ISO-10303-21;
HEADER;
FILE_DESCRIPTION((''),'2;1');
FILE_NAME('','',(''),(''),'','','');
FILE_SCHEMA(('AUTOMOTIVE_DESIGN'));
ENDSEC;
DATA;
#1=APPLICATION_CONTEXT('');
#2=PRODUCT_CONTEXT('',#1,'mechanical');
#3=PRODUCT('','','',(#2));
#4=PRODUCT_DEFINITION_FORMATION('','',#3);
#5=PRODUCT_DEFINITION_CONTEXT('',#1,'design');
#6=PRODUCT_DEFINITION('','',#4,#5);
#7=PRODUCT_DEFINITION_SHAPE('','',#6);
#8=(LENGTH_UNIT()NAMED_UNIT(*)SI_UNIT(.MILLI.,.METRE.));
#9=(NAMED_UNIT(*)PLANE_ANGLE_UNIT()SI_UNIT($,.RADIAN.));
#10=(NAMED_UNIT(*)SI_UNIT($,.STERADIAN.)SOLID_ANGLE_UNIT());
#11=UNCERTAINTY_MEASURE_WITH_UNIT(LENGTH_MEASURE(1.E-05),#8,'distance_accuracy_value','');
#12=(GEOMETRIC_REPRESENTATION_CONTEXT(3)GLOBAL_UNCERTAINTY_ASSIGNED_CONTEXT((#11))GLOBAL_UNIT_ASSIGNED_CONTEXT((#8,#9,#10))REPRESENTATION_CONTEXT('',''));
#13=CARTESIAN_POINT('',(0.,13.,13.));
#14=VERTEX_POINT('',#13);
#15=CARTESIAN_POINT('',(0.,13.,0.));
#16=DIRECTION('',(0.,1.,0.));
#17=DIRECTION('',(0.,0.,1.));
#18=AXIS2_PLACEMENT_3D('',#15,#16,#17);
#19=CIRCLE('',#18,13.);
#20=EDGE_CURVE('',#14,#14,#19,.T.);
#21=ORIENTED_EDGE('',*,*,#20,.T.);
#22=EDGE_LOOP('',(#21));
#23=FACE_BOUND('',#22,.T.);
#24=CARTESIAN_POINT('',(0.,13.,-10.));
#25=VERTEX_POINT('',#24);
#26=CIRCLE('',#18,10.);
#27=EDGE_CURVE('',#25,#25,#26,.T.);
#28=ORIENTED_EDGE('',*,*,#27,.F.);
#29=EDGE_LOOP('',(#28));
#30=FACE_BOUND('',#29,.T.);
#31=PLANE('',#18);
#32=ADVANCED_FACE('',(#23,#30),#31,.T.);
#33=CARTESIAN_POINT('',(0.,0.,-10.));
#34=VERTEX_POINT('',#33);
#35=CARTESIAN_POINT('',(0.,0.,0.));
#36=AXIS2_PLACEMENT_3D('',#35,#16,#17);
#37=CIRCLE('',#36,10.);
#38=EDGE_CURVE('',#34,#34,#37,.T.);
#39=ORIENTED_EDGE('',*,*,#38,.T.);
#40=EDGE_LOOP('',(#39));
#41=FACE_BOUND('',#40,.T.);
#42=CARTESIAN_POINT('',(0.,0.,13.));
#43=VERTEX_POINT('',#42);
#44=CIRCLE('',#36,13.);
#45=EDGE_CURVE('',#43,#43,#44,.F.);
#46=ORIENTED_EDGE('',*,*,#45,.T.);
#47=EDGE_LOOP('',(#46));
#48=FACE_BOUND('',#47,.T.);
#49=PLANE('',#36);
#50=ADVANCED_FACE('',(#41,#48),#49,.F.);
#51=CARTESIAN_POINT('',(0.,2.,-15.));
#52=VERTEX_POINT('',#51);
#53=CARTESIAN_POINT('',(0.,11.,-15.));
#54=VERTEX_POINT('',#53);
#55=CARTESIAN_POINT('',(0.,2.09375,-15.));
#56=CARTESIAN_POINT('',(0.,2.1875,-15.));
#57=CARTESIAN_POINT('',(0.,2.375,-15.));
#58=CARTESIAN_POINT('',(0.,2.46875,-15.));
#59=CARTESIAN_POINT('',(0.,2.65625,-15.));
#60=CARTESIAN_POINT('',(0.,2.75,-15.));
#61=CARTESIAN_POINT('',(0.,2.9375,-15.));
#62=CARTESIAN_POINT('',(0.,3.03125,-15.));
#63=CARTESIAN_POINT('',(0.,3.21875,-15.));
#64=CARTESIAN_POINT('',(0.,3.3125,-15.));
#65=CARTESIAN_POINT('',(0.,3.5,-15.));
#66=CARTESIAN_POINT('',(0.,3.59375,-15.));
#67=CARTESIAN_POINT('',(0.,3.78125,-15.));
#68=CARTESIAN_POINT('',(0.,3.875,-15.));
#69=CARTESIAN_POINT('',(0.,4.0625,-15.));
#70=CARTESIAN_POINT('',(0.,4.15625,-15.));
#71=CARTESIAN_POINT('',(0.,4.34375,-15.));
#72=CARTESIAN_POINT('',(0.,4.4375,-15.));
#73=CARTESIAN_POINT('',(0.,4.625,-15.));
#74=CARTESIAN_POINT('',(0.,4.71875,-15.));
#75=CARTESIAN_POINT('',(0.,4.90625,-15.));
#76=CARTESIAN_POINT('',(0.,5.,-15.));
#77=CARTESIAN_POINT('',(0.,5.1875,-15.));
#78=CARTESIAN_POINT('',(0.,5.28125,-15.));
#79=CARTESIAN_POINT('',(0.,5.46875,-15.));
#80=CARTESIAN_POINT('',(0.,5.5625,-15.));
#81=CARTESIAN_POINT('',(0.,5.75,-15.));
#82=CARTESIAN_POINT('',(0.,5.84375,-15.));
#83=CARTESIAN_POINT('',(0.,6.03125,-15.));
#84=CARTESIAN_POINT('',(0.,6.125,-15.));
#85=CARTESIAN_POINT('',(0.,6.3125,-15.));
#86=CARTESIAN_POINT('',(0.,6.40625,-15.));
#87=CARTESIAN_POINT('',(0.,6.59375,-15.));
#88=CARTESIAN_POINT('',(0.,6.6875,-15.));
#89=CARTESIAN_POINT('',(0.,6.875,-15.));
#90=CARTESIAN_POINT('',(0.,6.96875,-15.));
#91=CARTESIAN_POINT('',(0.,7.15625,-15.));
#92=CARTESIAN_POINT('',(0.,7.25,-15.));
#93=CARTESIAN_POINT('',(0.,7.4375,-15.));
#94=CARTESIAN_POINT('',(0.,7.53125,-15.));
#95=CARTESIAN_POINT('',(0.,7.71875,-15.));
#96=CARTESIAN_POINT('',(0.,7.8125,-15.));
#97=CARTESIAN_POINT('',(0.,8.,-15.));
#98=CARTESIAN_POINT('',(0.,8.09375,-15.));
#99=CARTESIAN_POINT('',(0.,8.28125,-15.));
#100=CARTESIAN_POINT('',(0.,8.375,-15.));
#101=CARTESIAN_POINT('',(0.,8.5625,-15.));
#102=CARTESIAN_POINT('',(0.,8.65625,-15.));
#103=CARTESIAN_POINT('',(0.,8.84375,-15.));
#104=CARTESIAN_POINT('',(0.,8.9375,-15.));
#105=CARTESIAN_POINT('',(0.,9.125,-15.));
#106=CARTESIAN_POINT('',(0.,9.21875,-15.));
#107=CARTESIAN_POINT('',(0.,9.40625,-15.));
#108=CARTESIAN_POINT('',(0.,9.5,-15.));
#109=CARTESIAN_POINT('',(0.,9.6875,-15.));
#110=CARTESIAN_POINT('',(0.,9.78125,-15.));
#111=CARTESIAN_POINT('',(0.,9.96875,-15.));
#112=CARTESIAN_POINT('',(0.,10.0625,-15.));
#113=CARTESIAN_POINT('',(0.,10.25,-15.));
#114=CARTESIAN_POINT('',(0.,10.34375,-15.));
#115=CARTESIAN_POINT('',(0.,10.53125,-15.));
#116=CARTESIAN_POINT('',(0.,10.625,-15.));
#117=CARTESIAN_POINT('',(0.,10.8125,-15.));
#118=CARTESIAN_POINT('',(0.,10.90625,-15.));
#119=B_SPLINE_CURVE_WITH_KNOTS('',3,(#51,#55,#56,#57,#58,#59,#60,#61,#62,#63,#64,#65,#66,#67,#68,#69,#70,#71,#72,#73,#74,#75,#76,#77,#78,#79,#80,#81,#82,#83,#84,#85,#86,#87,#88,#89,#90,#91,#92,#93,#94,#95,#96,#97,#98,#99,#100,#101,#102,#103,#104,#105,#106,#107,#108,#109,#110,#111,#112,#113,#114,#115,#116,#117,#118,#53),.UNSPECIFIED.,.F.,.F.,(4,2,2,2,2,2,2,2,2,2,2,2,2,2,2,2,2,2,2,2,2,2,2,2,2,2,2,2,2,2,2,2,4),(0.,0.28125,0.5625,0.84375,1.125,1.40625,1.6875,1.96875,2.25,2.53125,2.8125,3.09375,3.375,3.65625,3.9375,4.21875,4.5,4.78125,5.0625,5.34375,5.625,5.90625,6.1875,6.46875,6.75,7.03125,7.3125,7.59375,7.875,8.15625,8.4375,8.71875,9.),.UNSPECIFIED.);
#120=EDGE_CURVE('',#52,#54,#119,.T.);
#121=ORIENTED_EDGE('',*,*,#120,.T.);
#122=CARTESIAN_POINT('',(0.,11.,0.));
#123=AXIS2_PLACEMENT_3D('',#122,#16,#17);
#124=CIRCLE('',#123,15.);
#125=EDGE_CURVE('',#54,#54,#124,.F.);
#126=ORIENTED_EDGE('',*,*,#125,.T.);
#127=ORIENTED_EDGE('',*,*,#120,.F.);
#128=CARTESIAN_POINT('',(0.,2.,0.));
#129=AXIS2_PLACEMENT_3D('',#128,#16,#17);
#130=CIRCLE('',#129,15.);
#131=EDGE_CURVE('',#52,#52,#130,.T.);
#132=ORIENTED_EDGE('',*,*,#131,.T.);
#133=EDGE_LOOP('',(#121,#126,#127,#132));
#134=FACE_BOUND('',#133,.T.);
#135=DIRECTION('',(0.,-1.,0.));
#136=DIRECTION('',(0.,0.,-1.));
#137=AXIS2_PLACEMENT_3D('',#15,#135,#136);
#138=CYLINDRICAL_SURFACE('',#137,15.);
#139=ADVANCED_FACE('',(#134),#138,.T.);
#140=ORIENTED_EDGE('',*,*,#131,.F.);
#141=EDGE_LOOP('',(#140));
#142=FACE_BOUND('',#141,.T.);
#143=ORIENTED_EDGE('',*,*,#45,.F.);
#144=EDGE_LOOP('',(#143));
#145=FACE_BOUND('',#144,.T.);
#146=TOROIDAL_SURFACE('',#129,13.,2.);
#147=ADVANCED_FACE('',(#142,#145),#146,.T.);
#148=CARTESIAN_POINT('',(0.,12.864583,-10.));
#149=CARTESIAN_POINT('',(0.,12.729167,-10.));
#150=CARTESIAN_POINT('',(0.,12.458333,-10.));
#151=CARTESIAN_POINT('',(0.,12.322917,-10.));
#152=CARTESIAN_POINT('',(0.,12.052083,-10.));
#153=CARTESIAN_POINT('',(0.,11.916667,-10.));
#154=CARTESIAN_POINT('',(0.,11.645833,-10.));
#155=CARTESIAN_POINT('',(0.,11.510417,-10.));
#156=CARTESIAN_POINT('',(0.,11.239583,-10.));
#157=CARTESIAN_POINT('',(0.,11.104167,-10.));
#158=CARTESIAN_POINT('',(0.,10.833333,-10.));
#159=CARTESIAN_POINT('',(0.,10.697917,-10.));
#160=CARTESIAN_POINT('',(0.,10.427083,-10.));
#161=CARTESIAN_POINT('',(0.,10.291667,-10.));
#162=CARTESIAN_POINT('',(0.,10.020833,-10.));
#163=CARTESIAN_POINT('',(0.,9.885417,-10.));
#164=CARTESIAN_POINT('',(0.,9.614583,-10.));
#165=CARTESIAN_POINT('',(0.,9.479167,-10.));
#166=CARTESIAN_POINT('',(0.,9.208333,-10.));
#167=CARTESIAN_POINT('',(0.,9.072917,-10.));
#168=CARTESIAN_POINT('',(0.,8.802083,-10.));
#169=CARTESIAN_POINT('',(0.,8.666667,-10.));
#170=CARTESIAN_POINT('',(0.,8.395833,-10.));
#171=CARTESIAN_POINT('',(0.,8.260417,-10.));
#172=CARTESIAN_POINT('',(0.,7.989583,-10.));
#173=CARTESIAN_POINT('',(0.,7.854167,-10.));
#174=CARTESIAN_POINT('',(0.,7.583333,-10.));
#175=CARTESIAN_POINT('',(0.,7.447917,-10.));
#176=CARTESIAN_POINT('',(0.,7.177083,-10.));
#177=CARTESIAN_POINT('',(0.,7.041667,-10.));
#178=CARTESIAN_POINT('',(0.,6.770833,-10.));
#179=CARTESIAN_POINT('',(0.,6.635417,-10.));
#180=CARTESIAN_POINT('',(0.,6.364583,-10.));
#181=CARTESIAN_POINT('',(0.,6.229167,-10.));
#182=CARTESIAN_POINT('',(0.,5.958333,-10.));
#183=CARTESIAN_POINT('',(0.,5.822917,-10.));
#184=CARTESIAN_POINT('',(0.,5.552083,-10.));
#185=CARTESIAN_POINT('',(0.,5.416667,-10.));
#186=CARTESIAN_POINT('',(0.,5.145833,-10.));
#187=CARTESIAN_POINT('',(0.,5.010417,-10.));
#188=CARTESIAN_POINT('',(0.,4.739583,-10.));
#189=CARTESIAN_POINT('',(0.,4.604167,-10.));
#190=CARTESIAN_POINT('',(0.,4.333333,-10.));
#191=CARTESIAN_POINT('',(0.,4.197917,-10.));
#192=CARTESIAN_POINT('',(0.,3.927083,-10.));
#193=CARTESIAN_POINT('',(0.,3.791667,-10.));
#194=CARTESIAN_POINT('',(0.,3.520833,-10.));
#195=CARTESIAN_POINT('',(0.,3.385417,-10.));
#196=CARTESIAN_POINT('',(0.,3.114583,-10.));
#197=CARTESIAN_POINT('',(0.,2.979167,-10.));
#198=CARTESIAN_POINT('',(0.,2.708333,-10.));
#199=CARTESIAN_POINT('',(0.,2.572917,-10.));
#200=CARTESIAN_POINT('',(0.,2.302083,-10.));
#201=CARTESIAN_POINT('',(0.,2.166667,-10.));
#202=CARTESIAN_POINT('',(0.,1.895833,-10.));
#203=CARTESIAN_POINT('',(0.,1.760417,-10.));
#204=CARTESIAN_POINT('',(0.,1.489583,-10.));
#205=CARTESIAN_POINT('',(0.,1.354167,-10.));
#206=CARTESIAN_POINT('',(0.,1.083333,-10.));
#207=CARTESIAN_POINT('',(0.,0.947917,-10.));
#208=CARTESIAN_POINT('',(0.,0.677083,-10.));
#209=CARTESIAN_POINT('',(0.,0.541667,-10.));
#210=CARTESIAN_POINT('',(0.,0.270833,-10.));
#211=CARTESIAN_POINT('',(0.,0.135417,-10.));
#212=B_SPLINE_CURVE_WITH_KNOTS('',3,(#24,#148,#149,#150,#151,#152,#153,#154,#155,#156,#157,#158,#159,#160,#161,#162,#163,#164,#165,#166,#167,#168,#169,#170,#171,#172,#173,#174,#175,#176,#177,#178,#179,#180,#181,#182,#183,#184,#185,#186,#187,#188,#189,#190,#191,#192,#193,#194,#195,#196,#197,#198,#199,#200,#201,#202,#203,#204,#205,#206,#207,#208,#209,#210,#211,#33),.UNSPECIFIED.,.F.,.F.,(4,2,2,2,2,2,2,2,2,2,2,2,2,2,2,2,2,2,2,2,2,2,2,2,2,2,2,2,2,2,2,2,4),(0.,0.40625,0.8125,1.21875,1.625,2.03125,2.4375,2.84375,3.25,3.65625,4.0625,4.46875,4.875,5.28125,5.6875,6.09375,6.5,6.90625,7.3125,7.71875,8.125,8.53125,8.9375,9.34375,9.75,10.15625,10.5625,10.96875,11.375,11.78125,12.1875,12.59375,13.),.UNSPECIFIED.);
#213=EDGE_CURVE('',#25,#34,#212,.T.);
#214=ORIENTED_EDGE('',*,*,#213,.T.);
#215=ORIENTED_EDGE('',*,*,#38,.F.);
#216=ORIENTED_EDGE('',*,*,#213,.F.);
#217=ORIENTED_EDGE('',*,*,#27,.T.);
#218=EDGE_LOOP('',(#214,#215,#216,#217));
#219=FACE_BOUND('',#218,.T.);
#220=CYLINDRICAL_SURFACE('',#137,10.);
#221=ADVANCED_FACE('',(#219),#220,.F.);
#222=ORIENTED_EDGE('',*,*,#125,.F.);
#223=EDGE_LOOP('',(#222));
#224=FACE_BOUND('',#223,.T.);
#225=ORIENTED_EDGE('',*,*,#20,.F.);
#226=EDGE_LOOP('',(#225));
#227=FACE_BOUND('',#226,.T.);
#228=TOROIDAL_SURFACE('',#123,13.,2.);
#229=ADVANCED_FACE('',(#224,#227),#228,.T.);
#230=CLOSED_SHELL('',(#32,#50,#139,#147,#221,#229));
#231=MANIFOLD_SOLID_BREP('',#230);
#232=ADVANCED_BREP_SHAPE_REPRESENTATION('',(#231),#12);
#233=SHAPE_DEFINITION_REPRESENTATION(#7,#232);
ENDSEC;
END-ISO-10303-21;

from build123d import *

# Parameters (mm, degrees)
SKETCH2_R           = 15
SKETCH2_R_2         = 10
BOSS_EXTRUDE1_DEPTH = 13
FILLET1_R           = 2


with BuildPart() as part:
    # Sketch2 → Boss-Extrude1 (new body)
    with BuildSketch(Plane(origin=(0, 0, 0), x_dir=(1, 0, 0), z_dir=(0, 1, 0))):
        with Locations(Location((0, 0, 0), (0, 0, 90))):
            Circle(SKETCH2_R)
        with Locations(Location((0, 0, 0), (0, 0, 90))):
            Circle(SKETCH2_R_2, mode=Mode.SUBTRACT)
    extrude(amount=BOSS_EXTRUDE1_DEPTH)

    # Fillet1
    fillet1_edges = [part.edges().sort_by_distance(p)[0] for p in [
        (0, 0, 15),
        (0, 13, 15),
    ]]
    fillet(fillet1_edges, radius=FILLET1_R)


solid = part.part
